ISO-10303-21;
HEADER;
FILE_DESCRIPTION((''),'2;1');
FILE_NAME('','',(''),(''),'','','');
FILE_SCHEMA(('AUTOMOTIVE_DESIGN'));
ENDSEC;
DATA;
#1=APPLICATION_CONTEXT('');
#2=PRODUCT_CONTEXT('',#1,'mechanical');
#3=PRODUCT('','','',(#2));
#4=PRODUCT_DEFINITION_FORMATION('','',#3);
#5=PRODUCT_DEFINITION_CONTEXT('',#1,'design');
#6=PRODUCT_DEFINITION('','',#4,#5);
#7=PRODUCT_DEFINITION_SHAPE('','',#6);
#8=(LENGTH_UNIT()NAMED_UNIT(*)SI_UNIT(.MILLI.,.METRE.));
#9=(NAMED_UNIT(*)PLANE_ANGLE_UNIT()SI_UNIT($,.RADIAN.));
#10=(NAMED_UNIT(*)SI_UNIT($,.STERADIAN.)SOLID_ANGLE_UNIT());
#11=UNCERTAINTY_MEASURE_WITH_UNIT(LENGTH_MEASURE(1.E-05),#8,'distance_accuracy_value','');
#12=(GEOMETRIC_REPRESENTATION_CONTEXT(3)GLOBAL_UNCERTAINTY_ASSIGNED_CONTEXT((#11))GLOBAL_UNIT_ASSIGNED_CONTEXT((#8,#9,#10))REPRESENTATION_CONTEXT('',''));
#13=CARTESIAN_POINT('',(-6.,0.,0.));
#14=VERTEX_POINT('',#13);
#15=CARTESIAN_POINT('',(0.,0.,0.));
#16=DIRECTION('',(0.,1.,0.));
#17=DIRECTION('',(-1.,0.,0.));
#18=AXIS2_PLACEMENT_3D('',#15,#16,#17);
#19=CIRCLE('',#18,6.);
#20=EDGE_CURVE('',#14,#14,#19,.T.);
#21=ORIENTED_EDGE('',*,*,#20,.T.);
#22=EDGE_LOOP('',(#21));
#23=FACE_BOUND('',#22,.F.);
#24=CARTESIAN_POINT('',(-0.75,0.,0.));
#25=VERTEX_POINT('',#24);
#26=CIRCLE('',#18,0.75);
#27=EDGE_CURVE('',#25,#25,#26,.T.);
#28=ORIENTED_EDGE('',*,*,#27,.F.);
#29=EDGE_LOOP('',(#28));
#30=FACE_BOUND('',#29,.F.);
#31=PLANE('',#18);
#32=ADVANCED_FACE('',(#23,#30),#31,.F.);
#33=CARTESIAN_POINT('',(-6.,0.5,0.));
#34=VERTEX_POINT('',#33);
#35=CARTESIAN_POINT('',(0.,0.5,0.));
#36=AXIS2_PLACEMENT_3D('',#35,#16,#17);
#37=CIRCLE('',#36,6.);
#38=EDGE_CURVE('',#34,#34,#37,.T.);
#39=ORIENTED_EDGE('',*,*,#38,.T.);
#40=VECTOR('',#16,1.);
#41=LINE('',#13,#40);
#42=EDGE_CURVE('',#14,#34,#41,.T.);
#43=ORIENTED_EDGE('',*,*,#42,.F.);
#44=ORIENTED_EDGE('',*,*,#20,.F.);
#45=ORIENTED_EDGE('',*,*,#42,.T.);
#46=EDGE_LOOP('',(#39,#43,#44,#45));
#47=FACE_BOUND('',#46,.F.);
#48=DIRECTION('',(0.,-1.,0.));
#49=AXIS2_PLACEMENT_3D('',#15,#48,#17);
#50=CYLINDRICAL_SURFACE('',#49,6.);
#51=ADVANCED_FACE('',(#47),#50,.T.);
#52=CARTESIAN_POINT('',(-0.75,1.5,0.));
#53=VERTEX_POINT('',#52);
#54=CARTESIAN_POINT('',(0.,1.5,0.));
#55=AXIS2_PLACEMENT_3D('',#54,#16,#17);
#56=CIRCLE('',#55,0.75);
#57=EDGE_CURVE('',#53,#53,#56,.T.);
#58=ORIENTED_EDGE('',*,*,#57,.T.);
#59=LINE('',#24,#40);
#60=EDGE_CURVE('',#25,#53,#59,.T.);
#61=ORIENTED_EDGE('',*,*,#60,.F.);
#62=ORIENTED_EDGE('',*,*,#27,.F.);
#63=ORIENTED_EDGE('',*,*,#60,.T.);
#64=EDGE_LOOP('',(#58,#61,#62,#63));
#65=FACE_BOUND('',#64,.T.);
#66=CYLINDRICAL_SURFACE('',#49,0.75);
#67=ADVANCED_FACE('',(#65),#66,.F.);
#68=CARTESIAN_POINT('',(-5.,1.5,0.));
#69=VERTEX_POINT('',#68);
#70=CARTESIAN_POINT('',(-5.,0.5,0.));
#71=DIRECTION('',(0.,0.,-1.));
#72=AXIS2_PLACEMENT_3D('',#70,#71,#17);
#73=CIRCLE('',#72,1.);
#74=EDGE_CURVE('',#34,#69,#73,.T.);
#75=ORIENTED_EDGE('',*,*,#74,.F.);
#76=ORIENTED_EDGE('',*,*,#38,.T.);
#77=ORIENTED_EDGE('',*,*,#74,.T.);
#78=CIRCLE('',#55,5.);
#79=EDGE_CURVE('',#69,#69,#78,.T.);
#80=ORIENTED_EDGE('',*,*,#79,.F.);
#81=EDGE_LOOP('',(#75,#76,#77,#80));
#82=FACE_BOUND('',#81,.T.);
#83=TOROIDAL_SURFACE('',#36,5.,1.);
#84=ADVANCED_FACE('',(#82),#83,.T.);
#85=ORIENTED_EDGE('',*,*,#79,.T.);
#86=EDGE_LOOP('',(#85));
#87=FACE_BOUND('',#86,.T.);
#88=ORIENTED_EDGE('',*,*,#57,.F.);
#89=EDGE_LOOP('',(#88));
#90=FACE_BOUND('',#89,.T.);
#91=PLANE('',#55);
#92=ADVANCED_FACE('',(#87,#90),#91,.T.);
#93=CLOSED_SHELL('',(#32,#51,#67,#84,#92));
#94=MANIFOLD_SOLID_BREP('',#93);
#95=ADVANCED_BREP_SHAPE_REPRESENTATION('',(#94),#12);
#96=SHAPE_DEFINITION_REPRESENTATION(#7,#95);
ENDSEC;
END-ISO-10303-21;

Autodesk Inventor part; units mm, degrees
ref_plane "YZ Plane" through (0, 0, 0) normal (1, 0, 0) x (0, 1, 0)
ref_plane "XZ Plane" through (0, 0, 0) normal (0, 1, 0) x (-1, 0, 0)
ref_plane "XY Plane" through (0, 0, 0) normal (0, 0, 1) x (1, 0, 0)
sketch "Sketch1" plane through (0, 0, 0) normal (0, 1, 0) x (-1, 0, 0)
  circle A0 centre (0, 0) radius 0.75
  circle A1 centre (0, 0) radius 6
  dimension "d0" = 1.5
  dimension "d1" = 12
extrude "Extrusion1" add sketch "Sketch1" along normal blind 1.5
fillet "Fillet1" radius 1 1 edges at (6, 1.5, 0)
properties part number "XM430_motor_adaptor_cap"
